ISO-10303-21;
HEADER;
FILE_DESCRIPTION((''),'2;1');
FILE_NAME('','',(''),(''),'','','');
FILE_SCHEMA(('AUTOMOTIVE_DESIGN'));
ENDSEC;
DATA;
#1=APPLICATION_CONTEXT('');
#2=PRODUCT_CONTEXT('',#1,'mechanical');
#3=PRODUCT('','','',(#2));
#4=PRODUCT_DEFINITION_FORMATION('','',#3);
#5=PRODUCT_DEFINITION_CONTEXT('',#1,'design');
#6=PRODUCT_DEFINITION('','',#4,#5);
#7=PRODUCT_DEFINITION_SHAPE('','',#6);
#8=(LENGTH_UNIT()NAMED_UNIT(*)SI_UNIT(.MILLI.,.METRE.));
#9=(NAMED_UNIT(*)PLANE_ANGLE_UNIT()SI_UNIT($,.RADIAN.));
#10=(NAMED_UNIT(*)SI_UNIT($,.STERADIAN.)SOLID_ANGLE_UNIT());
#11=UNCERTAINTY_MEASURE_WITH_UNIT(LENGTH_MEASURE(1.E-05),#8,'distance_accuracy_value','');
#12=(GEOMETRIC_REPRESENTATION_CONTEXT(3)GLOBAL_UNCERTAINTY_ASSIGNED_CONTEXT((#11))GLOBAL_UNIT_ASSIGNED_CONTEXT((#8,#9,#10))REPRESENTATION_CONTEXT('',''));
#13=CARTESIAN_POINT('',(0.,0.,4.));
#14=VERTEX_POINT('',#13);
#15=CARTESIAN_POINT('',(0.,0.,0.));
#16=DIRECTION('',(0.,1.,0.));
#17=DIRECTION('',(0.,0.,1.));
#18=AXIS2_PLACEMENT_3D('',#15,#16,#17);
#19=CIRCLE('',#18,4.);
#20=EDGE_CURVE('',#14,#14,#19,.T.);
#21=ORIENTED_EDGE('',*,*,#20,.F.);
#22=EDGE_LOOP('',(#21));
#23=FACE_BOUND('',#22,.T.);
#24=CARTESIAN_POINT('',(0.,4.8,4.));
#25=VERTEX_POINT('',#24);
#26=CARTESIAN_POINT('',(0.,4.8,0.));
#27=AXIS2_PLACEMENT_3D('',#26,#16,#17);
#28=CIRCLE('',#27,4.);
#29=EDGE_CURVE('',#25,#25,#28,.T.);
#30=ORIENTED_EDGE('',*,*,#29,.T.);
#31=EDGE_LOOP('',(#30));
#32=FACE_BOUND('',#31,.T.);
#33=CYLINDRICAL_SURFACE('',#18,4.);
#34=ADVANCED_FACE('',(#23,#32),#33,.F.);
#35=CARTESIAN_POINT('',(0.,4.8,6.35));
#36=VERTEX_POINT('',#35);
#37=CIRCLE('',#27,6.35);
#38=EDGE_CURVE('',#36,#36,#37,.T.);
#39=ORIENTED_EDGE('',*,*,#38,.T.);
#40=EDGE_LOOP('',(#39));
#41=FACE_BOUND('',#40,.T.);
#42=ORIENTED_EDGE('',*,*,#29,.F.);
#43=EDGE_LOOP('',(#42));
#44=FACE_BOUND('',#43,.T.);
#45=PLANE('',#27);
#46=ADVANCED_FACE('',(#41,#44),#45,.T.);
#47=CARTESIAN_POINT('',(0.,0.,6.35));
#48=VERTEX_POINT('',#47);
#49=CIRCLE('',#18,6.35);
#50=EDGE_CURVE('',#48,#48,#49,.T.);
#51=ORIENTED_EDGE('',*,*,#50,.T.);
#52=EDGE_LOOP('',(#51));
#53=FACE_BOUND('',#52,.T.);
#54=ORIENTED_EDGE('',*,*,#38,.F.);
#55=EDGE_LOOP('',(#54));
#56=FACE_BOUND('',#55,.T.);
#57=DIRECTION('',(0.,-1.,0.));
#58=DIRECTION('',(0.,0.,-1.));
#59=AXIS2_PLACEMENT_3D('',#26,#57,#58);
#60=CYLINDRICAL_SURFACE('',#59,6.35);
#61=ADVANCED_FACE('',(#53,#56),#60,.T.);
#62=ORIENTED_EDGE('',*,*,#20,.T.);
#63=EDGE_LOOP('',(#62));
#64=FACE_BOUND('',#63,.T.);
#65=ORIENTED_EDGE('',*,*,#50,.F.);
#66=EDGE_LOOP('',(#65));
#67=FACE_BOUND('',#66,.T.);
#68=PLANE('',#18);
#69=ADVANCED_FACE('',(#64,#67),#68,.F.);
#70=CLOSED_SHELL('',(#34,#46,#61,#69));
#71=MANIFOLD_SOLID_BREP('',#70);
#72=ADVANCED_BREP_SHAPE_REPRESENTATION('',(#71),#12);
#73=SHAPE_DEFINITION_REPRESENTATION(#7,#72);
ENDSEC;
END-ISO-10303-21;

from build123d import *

# Parameters (mm, degrees)
SKETCH1_R           = 6.35
BOSS_EXTRUDE1_DEPTH = 4.8
SKETCH3_R           = 4
CUT_EXTRUDE2_DEPTH  = 11.182583169


with BuildPart() as part:
    # Sketch1 → Boss-Extrude1 (new body)
    with BuildSketch(Plane(origin=(0, 0, 0), x_dir=(1, 0, 0), z_dir=(0, 1, 0))):
        with Locations(Location((0, 0, 0), (0, 0, 270))):
            Circle(SKETCH1_R)
    extrude(amount=BOSS_EXTRUDE1_DEPTH)

    # Sketch3 → Cut-Extrude2 (cut, through all)
    with BuildSketch(Plane(origin=(0, 4.8, 0), x_dir=(1, 0, 0), z_dir=(0, 1, 0))):
        with Locations(Location((0, 0, 0), (0, 0, 270))):
            Circle(SKETCH3_R)
    extrude(amount=-CUT_EXTRUDE2_DEPTH, mode=Mode.SUBTRACT)


solid = part.part
